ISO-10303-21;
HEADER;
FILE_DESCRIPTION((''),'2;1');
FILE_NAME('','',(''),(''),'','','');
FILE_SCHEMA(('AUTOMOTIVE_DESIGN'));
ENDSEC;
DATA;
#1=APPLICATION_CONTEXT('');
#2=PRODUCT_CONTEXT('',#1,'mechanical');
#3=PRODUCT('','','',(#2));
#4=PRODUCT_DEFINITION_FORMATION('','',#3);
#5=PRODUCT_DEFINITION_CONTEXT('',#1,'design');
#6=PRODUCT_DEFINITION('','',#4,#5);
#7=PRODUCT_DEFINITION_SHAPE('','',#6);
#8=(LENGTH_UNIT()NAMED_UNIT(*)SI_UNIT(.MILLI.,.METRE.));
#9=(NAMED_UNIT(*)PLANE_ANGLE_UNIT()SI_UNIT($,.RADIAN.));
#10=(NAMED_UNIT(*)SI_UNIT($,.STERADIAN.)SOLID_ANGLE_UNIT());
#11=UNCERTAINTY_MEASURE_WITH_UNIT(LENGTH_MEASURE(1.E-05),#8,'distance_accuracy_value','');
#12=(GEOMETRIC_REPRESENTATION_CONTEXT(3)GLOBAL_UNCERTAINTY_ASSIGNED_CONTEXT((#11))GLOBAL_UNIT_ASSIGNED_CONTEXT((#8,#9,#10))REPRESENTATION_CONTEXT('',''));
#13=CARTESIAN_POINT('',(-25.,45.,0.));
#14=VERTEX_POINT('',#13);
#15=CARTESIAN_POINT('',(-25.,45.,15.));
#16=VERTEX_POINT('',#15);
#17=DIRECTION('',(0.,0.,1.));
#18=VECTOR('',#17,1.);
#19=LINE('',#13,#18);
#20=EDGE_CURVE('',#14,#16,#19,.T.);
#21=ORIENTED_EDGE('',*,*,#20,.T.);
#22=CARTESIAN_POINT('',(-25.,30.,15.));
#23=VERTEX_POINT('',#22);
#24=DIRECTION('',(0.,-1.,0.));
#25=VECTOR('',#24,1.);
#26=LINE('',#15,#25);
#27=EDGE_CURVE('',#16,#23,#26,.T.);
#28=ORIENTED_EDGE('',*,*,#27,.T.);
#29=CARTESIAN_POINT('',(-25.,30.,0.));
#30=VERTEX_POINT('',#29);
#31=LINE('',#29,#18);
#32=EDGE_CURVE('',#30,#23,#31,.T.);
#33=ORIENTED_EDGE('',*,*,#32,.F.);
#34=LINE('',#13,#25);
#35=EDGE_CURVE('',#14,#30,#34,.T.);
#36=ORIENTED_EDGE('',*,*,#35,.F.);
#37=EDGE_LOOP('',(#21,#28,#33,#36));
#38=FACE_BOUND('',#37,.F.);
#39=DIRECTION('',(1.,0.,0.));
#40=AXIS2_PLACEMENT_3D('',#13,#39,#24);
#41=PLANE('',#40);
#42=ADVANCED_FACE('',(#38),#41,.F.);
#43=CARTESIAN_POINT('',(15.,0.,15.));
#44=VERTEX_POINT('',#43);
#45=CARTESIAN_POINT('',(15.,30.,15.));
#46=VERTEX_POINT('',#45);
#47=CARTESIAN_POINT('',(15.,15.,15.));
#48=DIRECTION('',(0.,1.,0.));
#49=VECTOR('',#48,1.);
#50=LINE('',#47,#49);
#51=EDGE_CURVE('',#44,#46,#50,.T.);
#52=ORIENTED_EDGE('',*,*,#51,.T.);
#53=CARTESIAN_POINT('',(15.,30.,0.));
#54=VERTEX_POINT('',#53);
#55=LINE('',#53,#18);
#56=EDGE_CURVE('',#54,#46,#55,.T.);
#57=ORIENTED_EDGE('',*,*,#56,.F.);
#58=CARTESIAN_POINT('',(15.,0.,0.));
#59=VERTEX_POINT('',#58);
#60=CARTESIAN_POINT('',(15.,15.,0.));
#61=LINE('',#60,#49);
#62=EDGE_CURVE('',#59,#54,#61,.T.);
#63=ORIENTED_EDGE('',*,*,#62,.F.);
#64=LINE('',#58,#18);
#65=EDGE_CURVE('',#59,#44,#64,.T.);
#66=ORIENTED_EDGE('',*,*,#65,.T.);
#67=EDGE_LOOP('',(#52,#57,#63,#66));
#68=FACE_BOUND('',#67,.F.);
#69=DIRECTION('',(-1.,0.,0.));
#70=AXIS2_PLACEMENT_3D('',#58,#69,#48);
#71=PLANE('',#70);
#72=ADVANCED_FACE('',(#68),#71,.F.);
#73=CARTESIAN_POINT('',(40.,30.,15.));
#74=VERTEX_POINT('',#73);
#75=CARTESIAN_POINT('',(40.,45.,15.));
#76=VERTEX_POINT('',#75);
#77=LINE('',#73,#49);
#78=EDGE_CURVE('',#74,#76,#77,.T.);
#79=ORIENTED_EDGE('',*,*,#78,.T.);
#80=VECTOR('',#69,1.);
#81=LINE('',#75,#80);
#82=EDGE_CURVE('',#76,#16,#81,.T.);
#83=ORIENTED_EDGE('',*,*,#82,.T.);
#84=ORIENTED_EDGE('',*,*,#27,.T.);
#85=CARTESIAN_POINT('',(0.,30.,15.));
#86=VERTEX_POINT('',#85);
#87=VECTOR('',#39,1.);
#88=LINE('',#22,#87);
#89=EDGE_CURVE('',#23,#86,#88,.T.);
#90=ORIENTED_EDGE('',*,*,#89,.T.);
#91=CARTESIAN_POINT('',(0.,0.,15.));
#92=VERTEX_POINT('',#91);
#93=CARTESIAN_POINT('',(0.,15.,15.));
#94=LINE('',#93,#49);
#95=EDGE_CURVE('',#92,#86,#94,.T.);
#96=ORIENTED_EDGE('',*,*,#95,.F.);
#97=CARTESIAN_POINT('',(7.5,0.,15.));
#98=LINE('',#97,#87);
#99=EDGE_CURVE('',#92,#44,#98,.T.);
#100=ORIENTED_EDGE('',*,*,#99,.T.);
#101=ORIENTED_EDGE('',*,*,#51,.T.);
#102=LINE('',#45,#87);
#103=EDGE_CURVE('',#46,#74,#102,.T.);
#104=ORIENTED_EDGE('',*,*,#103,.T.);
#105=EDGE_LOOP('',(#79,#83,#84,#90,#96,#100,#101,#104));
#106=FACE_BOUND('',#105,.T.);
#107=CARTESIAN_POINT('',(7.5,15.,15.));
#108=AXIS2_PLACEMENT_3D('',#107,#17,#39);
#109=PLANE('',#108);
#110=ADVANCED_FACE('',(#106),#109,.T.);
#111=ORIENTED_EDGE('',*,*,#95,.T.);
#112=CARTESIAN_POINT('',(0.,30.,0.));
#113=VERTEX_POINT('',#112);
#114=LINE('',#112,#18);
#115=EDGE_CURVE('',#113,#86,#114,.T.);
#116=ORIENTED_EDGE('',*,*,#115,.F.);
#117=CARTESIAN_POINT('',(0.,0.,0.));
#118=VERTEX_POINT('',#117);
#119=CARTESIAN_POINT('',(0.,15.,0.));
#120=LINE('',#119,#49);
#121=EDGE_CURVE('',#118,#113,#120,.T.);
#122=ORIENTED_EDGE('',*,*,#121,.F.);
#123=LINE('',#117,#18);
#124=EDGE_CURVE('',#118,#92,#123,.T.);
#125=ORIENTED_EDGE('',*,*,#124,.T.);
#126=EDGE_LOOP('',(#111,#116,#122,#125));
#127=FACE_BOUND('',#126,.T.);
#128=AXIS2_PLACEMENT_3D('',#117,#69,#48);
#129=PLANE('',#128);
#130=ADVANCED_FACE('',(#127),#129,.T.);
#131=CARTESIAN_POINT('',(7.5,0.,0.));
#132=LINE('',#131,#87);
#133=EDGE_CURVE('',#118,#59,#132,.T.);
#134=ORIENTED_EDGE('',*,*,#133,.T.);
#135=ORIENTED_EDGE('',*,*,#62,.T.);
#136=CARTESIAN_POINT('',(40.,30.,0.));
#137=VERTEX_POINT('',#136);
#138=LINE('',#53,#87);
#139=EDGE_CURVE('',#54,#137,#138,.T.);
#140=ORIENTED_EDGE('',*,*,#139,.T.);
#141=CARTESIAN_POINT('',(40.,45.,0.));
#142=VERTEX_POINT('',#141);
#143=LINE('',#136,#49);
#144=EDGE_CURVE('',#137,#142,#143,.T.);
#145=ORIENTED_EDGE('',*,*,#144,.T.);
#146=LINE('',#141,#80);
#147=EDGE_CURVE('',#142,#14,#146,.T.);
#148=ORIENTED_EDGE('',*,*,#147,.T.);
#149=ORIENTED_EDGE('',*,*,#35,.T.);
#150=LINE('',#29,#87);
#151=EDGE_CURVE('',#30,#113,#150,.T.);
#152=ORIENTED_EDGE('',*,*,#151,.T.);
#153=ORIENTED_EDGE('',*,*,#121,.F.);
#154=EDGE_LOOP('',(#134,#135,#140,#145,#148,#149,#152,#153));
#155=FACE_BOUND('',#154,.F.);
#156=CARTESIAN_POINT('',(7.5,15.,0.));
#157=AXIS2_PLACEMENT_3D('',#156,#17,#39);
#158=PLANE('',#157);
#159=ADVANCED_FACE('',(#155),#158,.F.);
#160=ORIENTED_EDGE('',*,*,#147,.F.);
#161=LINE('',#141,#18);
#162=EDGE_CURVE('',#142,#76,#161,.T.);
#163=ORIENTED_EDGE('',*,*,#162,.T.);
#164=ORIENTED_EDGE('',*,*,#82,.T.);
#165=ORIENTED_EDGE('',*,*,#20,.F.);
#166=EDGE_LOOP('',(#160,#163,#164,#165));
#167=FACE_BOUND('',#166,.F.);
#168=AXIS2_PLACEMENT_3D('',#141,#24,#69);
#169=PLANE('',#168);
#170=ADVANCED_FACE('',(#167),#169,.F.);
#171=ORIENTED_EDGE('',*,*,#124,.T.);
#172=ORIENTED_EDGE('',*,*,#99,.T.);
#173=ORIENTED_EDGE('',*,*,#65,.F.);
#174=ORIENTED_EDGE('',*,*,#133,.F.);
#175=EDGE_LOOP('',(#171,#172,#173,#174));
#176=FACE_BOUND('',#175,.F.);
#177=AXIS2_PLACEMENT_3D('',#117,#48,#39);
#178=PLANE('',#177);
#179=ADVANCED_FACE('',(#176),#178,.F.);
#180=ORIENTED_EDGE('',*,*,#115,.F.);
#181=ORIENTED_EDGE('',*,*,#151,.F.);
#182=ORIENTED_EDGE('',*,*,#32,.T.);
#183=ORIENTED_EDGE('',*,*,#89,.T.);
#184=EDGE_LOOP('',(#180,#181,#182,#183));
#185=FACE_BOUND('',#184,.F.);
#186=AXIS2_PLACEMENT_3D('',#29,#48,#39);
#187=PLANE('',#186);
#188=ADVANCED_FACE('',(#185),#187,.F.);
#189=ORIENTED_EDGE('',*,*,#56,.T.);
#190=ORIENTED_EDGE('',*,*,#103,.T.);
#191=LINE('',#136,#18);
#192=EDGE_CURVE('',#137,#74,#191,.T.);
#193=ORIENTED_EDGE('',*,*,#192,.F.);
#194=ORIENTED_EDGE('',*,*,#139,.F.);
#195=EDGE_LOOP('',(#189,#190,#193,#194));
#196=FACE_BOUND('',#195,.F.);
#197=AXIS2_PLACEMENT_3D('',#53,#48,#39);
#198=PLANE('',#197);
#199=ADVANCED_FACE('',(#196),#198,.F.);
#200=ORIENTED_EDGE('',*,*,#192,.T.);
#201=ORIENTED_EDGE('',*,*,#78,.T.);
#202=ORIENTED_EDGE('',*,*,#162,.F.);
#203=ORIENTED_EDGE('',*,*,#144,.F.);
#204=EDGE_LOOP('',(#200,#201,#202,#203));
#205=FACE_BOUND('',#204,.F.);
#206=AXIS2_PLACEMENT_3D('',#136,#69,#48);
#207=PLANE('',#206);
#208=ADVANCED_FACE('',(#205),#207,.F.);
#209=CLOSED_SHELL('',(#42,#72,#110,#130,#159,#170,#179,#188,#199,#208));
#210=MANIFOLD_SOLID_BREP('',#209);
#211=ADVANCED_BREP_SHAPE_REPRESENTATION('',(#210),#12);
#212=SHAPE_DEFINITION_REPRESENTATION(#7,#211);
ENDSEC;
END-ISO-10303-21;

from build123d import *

# Parameters (mm, degrees)
F0_W     = 15
F0_H     = 30
F1_DEPTH = 15


with BuildPart() as f1:
    # F0 (on Top) → F1 (new body)
    with BuildSketch(Plane.XY):
        with Locations((7.5, 15)):
            Rectangle(F0_W, F0_H)
        Polygon((-25, 30), (0, 30), (15, 30), (40, 30), (40, 45), (-25, 45), align=None)
    extrude(amount=F1_DEPTH)


solid = f1.part
